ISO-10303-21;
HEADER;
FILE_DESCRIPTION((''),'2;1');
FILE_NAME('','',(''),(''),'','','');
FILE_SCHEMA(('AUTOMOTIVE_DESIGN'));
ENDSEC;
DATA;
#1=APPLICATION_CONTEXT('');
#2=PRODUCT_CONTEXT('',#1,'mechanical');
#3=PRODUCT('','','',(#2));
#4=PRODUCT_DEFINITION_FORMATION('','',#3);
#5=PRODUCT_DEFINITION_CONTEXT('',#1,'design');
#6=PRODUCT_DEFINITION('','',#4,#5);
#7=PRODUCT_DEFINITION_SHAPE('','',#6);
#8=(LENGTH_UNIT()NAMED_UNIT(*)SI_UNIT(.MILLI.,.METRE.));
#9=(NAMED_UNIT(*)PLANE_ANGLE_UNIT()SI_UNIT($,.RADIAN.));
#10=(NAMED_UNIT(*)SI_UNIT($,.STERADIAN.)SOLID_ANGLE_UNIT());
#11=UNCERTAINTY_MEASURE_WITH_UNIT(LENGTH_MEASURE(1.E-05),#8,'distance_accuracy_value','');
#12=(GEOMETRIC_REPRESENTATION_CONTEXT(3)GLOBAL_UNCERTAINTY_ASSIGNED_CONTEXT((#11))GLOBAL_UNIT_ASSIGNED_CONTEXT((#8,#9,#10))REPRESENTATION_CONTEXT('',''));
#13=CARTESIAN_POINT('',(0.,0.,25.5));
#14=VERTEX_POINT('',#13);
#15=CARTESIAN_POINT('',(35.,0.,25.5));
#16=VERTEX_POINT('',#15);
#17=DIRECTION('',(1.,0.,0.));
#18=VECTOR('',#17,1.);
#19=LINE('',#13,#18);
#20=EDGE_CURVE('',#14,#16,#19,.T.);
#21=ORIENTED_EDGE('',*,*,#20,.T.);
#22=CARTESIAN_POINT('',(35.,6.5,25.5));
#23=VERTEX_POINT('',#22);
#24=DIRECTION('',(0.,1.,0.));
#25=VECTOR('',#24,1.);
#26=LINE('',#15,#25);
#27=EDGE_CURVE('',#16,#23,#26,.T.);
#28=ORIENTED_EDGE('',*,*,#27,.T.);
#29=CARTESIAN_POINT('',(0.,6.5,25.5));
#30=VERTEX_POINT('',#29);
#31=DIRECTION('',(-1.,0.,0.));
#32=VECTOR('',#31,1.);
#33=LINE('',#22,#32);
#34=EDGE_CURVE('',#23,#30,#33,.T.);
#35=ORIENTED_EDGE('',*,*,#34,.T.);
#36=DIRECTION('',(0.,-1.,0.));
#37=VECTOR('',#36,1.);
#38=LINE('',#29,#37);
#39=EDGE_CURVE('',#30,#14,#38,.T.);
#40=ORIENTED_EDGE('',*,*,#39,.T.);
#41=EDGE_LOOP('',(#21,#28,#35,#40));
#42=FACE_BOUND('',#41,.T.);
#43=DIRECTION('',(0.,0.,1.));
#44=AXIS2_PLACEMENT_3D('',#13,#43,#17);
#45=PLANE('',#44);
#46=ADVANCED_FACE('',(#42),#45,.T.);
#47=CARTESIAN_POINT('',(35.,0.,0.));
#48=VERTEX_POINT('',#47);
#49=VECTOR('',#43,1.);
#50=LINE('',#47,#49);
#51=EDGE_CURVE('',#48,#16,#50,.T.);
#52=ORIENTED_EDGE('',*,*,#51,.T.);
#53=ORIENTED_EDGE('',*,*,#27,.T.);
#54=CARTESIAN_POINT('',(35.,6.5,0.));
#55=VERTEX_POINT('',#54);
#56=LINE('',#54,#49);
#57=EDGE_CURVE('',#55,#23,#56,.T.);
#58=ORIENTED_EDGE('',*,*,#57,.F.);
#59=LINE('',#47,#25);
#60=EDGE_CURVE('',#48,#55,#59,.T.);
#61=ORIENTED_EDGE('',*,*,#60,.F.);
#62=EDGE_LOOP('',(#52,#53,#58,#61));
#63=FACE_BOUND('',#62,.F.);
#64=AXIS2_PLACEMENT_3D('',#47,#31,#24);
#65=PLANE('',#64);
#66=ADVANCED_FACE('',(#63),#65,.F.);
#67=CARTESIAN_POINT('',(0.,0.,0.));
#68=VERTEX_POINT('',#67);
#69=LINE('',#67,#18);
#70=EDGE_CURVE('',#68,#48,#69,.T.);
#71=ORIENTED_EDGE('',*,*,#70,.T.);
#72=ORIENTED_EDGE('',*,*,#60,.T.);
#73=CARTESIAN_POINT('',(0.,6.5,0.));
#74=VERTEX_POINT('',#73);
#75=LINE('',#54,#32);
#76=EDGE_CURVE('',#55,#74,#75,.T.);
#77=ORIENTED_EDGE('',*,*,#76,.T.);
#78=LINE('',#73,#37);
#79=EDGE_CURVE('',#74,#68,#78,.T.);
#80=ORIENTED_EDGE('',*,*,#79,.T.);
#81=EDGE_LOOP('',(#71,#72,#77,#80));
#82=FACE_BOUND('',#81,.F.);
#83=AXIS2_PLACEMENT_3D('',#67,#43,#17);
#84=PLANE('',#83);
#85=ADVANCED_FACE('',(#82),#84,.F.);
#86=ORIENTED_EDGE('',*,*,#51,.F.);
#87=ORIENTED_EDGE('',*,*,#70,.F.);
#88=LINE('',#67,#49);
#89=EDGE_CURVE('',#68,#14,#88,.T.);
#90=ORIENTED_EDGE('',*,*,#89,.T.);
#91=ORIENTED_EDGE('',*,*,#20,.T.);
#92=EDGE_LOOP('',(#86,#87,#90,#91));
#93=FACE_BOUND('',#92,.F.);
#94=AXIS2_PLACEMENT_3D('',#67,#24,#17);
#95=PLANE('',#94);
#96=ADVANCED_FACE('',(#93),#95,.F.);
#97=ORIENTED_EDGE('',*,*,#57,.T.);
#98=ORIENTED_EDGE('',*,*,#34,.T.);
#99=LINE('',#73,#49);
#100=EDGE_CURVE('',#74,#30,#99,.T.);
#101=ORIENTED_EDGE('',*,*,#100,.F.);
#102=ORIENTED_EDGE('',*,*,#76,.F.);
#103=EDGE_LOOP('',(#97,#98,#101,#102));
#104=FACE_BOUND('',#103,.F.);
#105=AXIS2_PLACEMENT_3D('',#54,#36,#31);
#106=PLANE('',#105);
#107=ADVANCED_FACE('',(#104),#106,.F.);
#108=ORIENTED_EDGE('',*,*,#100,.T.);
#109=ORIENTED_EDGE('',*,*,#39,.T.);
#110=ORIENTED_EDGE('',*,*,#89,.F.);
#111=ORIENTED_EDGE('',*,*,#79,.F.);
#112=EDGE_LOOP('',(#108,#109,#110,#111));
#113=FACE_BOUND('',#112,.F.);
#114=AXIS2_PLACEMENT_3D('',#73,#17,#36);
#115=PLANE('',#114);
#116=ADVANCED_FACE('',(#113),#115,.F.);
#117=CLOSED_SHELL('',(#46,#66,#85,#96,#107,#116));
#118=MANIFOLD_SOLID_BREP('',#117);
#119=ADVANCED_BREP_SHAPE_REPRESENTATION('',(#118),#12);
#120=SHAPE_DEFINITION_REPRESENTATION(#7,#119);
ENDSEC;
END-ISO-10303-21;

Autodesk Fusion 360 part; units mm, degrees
sketch "Sketch1" plane through (0, 0, 0) normal (0, 0, 1) x (1, 0, 0)
  line L0 (0, 0) -> (35, 0)
  line L1 (35, 0) -> (35, 6.5)
  line L2 (35, 6.5) -> (0, 6.5)
  line L3 (0, 6.5) -> (0, 0)
  dimension "d1" = 35
  dimension "d2" = 6.5
extrude "Extrude1" add sketch "Sketch1" along normal blind 25.5
